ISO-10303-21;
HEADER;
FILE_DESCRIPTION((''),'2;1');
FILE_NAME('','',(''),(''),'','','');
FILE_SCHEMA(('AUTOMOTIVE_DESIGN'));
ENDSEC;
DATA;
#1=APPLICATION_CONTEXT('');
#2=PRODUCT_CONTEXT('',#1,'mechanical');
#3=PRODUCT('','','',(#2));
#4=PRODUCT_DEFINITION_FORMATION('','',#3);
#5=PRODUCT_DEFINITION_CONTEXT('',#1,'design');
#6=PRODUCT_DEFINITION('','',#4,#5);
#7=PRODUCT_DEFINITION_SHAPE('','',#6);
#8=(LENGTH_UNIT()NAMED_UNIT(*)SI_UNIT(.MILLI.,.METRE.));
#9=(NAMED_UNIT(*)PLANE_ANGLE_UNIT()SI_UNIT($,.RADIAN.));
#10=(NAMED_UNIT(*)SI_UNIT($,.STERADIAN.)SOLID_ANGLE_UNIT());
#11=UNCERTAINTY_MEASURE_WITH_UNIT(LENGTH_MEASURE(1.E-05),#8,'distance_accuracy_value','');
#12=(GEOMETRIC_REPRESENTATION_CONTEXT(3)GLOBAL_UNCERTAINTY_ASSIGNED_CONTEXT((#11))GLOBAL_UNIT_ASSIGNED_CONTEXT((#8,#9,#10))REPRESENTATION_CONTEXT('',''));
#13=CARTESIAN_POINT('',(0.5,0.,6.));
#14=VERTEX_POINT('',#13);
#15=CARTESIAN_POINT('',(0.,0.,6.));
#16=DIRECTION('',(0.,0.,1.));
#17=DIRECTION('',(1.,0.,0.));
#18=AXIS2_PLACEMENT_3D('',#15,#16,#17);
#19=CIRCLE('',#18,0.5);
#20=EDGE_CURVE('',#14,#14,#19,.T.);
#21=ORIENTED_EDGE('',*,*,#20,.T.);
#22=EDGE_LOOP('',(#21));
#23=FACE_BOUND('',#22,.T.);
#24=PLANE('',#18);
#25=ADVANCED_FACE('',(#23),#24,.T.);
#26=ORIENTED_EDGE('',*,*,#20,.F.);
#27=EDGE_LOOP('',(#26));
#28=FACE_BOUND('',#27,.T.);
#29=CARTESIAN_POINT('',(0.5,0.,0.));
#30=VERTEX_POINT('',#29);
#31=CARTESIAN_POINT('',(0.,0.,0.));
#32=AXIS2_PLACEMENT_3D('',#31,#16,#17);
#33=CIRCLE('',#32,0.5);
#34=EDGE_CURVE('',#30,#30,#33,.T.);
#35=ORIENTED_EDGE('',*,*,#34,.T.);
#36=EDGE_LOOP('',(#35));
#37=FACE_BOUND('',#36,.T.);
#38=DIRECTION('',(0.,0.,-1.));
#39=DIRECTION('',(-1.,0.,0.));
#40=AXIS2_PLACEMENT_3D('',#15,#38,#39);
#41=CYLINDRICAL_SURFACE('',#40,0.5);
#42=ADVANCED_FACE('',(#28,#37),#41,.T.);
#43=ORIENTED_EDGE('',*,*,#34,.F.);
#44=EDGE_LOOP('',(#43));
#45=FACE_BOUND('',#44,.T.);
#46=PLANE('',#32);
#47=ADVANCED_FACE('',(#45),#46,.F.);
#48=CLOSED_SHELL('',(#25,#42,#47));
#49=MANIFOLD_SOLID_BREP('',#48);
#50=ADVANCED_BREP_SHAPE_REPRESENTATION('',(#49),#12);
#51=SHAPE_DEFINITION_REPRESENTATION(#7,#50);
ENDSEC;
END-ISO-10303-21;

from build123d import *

# Parameters (mm, degrees)
SKETCH1_R           = 0.5
BOSS_EXTRUDE1_DEPTH = 6


with BuildPart() as part:
    # Sketch1 → Boss-Extrude1 (new body)
    with BuildSketch(Plane.XY):
        Circle(SKETCH1_R)
    extrude(amount=BOSS_EXTRUDE1_DEPTH)


solid = part.part
